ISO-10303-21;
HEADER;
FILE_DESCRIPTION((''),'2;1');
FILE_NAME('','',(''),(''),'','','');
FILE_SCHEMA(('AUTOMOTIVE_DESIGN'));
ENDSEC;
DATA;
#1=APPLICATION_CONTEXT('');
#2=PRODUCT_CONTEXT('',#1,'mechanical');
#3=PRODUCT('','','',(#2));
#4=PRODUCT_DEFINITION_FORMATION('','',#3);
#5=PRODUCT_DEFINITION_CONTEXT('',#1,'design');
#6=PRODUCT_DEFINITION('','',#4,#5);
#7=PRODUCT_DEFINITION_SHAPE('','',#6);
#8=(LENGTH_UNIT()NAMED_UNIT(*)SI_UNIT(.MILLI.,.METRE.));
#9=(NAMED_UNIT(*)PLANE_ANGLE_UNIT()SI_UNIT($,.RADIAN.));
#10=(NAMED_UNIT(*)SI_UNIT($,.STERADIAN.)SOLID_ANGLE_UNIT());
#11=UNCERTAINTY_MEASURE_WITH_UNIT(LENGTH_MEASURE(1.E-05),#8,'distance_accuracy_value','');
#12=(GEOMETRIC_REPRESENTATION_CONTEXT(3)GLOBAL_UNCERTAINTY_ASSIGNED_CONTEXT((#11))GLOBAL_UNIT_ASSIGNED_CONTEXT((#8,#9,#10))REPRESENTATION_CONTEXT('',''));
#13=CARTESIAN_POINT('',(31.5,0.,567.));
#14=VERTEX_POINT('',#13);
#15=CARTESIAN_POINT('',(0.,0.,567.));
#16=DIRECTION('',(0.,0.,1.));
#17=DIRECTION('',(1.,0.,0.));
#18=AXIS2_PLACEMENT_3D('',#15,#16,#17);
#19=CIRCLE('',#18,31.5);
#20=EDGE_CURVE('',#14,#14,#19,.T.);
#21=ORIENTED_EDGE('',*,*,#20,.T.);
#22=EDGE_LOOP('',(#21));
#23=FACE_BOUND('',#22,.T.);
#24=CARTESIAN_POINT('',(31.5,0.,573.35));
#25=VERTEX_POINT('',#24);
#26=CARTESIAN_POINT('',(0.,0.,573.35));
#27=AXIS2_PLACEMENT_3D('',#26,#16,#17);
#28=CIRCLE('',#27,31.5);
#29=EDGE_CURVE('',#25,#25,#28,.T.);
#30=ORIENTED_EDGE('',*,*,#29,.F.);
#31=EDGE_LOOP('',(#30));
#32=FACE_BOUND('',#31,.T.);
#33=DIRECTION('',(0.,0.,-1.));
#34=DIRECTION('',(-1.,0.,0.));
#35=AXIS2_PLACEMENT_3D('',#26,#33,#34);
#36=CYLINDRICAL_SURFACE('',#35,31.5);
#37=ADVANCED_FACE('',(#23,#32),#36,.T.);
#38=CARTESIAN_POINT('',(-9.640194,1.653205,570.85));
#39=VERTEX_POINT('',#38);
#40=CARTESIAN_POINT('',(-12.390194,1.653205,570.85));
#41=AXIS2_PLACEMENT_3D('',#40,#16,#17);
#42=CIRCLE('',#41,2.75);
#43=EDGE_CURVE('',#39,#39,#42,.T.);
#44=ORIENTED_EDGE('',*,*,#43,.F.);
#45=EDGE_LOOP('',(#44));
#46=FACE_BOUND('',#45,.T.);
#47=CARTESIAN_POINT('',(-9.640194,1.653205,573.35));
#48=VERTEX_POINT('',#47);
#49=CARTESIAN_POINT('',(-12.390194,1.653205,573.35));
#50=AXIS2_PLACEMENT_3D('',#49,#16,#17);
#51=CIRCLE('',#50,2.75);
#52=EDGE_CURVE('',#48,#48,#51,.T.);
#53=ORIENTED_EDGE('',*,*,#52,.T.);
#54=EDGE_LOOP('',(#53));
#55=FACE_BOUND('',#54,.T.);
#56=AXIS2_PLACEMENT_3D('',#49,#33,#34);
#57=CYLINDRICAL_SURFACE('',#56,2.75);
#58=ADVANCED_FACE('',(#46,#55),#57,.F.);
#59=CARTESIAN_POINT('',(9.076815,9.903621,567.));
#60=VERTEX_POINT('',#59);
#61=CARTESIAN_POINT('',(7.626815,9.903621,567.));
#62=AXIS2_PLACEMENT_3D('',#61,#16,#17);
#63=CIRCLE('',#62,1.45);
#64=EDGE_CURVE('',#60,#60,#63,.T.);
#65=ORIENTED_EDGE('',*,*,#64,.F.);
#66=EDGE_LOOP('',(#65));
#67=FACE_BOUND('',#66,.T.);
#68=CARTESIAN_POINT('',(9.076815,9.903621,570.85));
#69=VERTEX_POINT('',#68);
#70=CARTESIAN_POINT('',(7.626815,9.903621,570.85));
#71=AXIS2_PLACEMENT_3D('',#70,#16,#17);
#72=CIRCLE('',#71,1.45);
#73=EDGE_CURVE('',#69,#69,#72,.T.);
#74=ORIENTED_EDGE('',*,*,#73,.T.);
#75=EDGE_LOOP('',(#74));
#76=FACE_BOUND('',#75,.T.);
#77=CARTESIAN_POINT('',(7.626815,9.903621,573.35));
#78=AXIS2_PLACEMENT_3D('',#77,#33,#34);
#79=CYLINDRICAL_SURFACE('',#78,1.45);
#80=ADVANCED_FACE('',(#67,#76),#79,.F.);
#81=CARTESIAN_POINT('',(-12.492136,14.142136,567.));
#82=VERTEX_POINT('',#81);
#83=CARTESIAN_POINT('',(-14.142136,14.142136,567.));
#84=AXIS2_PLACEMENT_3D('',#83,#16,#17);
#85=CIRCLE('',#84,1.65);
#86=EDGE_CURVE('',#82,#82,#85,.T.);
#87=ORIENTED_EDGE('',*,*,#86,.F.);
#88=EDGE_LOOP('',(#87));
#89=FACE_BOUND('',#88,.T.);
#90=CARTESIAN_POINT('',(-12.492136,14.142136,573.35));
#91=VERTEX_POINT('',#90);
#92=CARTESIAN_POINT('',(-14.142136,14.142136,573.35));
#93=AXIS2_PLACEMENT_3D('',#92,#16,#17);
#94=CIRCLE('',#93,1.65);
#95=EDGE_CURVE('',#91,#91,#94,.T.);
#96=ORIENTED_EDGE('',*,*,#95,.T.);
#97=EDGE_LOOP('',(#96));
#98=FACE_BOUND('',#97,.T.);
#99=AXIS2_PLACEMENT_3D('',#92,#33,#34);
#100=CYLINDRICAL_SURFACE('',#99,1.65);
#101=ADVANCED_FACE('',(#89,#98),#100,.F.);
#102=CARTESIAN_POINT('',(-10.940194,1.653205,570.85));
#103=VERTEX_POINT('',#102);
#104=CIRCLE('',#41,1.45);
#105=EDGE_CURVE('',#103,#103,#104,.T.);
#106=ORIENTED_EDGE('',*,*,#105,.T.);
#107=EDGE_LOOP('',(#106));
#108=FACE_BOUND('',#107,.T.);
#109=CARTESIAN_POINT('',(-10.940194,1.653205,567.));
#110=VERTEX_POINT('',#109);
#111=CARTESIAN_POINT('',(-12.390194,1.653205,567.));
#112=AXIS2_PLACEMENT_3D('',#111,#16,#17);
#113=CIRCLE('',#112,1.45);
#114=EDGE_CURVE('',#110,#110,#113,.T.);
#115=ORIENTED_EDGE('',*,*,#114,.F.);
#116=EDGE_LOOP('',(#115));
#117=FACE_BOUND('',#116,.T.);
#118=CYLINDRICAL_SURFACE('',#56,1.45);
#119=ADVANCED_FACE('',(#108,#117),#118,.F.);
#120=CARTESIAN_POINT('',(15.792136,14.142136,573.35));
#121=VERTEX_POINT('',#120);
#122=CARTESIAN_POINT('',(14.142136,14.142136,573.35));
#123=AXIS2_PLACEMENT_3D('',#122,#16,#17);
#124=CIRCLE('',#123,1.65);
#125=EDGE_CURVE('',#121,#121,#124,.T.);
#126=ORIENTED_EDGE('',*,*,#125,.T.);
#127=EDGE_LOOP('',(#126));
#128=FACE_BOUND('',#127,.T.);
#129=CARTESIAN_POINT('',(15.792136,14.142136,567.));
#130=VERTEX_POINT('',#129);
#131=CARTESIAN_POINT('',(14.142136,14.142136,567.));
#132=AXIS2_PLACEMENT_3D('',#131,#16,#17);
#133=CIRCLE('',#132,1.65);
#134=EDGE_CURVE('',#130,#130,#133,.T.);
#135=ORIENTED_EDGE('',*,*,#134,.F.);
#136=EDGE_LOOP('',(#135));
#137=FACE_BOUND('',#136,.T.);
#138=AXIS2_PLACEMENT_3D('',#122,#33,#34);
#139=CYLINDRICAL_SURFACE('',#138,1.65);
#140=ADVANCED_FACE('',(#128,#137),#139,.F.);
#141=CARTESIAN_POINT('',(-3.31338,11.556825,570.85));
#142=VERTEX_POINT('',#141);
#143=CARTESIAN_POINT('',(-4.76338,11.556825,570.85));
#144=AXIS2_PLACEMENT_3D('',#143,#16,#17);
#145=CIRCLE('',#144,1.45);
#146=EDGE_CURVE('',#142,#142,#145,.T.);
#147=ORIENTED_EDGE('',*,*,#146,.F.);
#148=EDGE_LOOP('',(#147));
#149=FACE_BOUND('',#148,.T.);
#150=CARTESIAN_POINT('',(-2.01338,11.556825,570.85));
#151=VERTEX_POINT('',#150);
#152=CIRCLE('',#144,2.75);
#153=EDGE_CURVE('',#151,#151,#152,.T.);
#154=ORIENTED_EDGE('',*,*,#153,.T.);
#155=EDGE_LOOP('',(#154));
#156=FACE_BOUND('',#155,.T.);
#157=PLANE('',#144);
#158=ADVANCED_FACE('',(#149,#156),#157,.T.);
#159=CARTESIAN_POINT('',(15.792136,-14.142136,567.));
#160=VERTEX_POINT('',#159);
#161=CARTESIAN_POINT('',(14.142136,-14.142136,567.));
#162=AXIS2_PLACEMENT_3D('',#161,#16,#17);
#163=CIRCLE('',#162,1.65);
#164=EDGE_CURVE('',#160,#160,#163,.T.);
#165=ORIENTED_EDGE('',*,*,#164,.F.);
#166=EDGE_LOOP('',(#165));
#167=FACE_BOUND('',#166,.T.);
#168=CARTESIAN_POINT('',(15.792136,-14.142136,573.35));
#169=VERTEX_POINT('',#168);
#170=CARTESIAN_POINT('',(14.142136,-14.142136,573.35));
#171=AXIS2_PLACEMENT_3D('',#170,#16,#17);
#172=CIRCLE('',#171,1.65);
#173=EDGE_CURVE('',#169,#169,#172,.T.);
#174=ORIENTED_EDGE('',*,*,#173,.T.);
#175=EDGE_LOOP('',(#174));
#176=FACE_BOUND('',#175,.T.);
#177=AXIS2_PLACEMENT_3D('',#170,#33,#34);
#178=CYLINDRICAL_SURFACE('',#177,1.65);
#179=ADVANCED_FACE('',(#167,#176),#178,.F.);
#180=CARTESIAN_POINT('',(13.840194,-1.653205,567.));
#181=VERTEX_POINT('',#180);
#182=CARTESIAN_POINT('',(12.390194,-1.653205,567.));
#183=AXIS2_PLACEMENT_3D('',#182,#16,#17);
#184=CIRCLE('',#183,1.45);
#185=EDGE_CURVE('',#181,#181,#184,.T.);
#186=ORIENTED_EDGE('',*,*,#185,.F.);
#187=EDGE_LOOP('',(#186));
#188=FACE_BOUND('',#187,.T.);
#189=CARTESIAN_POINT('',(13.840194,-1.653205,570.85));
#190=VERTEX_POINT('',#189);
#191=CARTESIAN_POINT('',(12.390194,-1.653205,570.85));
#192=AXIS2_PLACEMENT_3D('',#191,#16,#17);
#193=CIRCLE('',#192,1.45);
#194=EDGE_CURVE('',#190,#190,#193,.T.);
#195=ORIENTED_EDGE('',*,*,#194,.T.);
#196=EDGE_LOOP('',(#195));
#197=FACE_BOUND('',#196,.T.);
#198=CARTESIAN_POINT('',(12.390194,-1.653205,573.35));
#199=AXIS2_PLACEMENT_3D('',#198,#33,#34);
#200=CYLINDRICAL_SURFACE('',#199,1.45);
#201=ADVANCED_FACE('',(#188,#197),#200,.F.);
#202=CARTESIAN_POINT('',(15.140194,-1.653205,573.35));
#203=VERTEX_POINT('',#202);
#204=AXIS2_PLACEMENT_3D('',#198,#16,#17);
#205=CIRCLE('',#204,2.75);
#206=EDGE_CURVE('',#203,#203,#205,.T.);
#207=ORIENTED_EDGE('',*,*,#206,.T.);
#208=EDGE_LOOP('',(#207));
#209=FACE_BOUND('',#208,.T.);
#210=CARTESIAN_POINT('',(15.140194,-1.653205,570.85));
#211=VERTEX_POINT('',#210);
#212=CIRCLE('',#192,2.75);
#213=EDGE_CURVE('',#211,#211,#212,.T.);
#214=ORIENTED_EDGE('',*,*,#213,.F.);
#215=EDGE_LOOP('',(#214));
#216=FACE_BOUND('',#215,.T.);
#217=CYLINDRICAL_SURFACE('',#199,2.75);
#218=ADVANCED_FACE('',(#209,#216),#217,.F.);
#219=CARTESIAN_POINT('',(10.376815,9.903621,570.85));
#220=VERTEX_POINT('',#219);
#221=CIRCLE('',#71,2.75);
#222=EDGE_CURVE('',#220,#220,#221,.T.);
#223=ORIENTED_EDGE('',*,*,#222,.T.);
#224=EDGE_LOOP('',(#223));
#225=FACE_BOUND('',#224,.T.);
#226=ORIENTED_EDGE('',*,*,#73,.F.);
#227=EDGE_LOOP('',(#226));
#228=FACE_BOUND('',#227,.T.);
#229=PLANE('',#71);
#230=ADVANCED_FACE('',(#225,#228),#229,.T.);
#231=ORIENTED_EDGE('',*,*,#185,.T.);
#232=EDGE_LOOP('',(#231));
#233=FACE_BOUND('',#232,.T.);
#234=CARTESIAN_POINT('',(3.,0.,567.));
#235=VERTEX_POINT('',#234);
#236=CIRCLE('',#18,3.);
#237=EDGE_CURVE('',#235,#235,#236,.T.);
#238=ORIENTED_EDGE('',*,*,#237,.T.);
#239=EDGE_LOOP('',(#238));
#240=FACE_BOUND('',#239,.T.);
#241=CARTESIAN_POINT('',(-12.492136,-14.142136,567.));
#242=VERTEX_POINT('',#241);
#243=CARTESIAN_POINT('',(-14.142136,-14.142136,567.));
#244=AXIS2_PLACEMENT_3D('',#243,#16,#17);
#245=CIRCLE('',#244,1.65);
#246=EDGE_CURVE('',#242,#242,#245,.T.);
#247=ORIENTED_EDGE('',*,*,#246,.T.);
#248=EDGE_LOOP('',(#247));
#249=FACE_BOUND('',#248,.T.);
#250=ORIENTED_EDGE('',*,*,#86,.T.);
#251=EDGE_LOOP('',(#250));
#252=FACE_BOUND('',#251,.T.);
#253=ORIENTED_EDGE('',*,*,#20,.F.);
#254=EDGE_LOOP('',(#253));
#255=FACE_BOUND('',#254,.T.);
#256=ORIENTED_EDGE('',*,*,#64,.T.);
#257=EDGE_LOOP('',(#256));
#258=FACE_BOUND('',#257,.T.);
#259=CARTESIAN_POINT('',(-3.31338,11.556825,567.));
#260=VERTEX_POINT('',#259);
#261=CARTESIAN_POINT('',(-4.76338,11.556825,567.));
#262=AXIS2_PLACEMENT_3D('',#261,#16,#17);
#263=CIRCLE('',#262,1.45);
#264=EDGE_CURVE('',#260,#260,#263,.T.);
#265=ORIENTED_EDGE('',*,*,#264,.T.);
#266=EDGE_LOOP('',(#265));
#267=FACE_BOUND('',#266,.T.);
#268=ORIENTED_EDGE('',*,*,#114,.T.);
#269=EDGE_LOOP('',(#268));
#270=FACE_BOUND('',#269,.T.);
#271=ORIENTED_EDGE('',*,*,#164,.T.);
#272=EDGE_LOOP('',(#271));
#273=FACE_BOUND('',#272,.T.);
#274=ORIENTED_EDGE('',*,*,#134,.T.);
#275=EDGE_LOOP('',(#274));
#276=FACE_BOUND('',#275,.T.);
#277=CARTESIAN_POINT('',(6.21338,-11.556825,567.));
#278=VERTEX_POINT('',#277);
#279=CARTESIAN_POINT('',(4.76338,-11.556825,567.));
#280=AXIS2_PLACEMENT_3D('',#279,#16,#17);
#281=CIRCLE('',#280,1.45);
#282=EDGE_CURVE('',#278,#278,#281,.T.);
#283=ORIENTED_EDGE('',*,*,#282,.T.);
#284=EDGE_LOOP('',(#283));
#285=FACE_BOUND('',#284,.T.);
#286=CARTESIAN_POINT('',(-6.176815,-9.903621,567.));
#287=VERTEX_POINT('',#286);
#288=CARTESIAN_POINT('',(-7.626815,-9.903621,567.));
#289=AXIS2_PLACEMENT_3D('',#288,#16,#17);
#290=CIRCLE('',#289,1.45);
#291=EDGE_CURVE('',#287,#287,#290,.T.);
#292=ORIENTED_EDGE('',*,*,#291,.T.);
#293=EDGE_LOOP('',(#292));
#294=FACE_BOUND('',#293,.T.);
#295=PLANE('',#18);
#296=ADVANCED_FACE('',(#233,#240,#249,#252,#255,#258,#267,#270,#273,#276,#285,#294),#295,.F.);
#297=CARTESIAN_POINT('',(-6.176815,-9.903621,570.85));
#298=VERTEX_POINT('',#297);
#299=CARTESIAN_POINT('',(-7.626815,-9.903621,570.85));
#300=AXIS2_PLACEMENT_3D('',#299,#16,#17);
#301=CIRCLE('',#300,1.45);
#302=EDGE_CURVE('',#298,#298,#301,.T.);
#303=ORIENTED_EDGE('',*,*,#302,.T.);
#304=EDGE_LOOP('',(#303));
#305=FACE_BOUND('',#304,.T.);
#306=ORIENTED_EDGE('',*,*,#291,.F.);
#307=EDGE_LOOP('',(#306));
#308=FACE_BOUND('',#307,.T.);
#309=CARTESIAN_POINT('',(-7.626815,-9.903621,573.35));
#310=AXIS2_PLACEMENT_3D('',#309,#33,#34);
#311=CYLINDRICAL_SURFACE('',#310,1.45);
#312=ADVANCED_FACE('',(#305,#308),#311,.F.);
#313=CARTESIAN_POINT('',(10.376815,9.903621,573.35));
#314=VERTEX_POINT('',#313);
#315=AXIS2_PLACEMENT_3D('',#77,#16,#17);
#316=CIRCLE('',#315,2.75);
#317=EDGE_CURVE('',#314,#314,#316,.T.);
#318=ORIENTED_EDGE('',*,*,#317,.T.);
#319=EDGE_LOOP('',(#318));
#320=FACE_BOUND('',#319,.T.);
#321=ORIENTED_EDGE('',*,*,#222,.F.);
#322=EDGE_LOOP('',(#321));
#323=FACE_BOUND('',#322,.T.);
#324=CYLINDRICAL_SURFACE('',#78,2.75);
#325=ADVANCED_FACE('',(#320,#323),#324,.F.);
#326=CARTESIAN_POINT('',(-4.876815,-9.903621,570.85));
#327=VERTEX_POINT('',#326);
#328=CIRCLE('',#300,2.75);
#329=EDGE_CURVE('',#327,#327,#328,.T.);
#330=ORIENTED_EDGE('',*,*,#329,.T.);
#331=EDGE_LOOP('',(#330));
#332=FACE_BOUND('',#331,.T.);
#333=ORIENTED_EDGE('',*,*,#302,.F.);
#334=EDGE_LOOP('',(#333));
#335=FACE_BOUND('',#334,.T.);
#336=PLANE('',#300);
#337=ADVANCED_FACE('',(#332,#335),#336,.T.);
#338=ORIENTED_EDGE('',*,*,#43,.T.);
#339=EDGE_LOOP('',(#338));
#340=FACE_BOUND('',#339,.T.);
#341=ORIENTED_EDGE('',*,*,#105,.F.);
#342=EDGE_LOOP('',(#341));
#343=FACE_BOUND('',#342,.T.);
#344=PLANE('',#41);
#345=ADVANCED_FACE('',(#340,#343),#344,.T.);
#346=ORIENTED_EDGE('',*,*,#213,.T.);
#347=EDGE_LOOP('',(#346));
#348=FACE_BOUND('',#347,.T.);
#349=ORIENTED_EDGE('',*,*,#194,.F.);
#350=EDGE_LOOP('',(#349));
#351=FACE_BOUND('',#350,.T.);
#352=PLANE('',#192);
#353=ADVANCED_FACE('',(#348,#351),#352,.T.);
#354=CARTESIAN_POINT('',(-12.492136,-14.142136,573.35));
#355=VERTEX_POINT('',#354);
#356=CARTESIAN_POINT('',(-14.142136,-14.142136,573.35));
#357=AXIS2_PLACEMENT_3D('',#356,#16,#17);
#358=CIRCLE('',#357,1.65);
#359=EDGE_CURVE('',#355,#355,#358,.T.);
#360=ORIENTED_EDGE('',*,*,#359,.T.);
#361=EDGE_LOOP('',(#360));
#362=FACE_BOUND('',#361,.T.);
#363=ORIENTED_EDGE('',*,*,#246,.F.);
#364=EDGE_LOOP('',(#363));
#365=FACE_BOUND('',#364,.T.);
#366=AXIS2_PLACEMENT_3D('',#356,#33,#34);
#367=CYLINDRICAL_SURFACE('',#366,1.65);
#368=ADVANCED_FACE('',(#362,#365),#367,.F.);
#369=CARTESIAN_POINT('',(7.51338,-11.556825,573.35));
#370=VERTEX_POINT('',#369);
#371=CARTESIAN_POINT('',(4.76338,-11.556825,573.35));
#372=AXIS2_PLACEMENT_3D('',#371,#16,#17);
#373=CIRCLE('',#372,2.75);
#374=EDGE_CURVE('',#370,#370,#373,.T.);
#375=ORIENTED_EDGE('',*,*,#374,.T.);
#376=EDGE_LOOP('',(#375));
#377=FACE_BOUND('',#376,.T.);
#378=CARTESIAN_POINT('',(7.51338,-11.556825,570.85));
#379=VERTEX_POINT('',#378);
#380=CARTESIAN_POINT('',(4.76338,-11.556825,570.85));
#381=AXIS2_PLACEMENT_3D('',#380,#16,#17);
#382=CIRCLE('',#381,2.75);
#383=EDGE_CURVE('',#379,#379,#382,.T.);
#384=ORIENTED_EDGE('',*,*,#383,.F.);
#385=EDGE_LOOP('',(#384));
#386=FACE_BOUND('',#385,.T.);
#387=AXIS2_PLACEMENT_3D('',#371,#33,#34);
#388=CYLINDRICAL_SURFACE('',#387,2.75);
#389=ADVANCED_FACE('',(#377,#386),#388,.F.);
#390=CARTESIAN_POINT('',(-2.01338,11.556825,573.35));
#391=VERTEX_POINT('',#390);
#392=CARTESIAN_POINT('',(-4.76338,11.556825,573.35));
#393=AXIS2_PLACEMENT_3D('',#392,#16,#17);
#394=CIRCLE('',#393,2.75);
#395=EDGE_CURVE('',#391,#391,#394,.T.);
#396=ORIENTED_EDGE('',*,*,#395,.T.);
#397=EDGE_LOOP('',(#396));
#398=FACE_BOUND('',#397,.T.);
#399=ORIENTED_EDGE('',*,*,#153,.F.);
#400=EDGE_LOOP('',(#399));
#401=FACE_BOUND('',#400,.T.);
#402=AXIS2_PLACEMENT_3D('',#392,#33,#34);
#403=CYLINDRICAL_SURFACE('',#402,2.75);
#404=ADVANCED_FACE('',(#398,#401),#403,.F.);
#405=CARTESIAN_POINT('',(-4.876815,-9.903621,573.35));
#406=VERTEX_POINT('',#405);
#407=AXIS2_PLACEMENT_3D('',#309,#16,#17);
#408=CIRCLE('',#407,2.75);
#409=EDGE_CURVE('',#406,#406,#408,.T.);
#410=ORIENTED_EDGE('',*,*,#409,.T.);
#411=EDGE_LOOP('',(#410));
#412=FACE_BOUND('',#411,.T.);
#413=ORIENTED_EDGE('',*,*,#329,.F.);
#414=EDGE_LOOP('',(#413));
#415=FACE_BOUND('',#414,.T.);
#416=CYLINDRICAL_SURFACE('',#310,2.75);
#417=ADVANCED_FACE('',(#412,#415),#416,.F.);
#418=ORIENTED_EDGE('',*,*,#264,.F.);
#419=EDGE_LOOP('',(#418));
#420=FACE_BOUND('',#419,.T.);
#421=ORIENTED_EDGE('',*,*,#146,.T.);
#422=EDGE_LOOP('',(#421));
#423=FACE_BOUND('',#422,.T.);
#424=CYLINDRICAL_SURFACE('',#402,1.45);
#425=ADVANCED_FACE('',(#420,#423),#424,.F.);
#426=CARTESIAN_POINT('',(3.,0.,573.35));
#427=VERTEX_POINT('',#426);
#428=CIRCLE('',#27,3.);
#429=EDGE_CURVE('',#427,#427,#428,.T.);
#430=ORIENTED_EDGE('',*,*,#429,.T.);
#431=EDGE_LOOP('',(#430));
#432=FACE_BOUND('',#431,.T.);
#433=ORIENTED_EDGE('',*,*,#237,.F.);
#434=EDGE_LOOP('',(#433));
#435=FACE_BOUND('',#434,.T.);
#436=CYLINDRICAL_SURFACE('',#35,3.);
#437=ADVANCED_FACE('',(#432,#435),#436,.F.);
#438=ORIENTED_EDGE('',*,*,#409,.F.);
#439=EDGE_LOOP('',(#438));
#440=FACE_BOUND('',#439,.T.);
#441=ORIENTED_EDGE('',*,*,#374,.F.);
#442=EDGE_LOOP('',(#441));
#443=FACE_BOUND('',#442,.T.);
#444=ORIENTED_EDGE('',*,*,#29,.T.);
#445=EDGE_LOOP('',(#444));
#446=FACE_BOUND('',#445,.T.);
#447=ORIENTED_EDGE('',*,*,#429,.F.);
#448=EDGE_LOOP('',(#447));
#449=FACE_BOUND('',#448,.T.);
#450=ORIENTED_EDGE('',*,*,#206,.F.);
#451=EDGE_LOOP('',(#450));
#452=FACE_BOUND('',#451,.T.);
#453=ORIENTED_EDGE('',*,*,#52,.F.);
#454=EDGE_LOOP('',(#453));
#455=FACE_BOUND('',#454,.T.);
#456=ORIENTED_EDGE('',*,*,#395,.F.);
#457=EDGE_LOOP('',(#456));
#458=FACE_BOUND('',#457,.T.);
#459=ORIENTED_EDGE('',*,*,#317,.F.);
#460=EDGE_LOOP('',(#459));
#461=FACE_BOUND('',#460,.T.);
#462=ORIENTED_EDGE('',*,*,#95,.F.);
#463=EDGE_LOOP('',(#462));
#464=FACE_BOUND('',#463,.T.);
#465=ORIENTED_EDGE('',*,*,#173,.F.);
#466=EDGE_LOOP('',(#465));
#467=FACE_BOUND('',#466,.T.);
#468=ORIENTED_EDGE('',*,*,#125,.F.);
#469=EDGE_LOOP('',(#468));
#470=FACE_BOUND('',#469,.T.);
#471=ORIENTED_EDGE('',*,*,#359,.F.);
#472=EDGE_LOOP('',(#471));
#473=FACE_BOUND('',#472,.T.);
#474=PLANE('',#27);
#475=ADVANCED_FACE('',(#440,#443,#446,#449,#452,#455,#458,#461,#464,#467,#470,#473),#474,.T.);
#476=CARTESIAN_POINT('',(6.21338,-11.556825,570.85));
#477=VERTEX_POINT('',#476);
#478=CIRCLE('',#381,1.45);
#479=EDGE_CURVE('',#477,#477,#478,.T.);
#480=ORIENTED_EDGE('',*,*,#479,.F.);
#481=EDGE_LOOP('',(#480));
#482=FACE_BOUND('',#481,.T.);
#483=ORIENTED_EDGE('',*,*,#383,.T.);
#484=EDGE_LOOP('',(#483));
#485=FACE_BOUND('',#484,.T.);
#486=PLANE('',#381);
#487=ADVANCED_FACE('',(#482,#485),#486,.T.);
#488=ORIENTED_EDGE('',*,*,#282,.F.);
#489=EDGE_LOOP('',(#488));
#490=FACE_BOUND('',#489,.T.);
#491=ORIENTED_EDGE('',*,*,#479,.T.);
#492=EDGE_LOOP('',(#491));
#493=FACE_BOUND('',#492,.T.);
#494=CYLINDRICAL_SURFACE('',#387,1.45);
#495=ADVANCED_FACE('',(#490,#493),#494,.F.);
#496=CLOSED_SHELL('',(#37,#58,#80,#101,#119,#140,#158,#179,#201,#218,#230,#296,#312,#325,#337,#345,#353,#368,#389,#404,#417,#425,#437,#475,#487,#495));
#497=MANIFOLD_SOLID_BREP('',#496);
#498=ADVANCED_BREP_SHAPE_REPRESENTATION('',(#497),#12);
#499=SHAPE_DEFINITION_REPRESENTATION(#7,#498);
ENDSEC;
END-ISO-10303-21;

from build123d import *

# Parameters (mm, degrees)
BRIDA_START                  = 567
SK_BRIDA_R                   = 31.5
BRIDA_DEPTH                  = 6.35
CENTRO_START                 = 567
SK_CENTRO_R                  = 3
CENTRO_DEPTH                 = 6.35
ROSCAS_M4_HERRAMIENTA_START  = 567
SK_ROSCAS_M4_HERRAMIENTA_R   = 1.65
ROSCAS_M4_HERRAMIENTA_DEPTH  = 6.35
PASANTES_M2_5_ROTOR_J6_START = 567
SK_PASANTES_M2_5_ROTOR_J6_R  = 1.45
PASANTES_M2_5_ROTOR_J6_DEPTH = 6.35
CAJAS_M2_5_START             = 570.85
SK_CAJAS_M2_5_R              = 2.75
CAJAS_M2_5_DEPTH             = 2.5


with BuildPart() as part:
    # Sk_Brida → Brida (new body)
    with BuildSketch(Plane.XY.offset(BRIDA_START)):
        Circle(SK_BRIDA_R)
    extrude(amount=BRIDA_DEPTH)

    # Sk_Centro → Centro (cut)
    with BuildSketch(Plane.XY.offset(CENTRO_START)):
        Circle(SK_CENTRO_R)
    extrude(amount=CENTRO_DEPTH, mode=Mode.SUBTRACT)

    # Sk_Roscas_M4_herramienta → Roscas_M4_herramienta (cut)
    with BuildSketch(Plane.XY.offset(ROSCAS_M4_HERRAMIENTA_START)):
        with Locations((14.142135624, 14.142135624)):
            Circle(SK_ROSCAS_M4_HERRAMIENTA_R)
        with Locations((-14.142135624, 14.142135624)):
            Circle(SK_ROSCAS_M4_HERRAMIENTA_R)
        with Locations((-14.142135624, -14.142135624)):
            Circle(SK_ROSCAS_M4_HERRAMIENTA_R)
        with Locations((14.142135624, -14.142135624)):
            Circle(SK_ROSCAS_M4_HERRAMIENTA_R)
    extrude(amount=ROSCAS_M4_HERRAMIENTA_DEPTH, mode=Mode.SUBTRACT)

    # Sk_Pasantes_M2-5_rotor_J6 → Pasantes_M2-5_rotor_J6 (cut)
    with BuildSketch(Plane.XY.offset(PASANTES_M2_5_ROTOR_J6_START)):
        with Locations((12.390194253, -1.653204878)):
            Circle(SK_PASANTES_M2_5_ROTOR_J6_R)
        with Locations((7.626814549, 9.903620542)):
            Circle(SK_PASANTES_M2_5_ROTOR_J6_R)
        with Locations((-4.763379704, 11.55682542)):
            Circle(SK_PASANTES_M2_5_ROTOR_J6_R)
        with Locations((-12.390194253, 1.653204878)):
            Circle(SK_PASANTES_M2_5_ROTOR_J6_R)
        with Locations((-7.626814549, -9.903620542)):
            Circle(SK_PASANTES_M2_5_ROTOR_J6_R)
        with Locations((4.763379704, -11.55682542)):
            Circle(SK_PASANTES_M2_5_ROTOR_J6_R)
    extrude(amount=PASANTES_M2_5_ROTOR_J6_DEPTH, mode=Mode.SUBTRACT)

    # Sk_Cajas_M2-5 → Cajas_M2-5 (cut)
    with BuildSketch(Plane.XY.offset(CAJAS_M2_5_START)):
        with Locations((12.390194253, -1.653204878)):
            Circle(SK_CAJAS_M2_5_R)
        with Locations((7.626814549, 9.903620542)):
            Circle(SK_CAJAS_M2_5_R)
        with Locations((-4.763379704, 11.55682542)):
            Circle(SK_CAJAS_M2_5_R)
        with Locations((-12.390194253, 1.653204878)):
            Circle(SK_CAJAS_M2_5_R)
        with Locations((-7.626814549, -9.903620542)):
            Circle(SK_CAJAS_M2_5_R)
        with Locations((4.763379704, -11.55682542)):
            Circle(SK_CAJAS_M2_5_R)
    extrude(amount=CAJAS_M2_5_DEPTH, mode=Mode.SUBTRACT)


solid = part.part
